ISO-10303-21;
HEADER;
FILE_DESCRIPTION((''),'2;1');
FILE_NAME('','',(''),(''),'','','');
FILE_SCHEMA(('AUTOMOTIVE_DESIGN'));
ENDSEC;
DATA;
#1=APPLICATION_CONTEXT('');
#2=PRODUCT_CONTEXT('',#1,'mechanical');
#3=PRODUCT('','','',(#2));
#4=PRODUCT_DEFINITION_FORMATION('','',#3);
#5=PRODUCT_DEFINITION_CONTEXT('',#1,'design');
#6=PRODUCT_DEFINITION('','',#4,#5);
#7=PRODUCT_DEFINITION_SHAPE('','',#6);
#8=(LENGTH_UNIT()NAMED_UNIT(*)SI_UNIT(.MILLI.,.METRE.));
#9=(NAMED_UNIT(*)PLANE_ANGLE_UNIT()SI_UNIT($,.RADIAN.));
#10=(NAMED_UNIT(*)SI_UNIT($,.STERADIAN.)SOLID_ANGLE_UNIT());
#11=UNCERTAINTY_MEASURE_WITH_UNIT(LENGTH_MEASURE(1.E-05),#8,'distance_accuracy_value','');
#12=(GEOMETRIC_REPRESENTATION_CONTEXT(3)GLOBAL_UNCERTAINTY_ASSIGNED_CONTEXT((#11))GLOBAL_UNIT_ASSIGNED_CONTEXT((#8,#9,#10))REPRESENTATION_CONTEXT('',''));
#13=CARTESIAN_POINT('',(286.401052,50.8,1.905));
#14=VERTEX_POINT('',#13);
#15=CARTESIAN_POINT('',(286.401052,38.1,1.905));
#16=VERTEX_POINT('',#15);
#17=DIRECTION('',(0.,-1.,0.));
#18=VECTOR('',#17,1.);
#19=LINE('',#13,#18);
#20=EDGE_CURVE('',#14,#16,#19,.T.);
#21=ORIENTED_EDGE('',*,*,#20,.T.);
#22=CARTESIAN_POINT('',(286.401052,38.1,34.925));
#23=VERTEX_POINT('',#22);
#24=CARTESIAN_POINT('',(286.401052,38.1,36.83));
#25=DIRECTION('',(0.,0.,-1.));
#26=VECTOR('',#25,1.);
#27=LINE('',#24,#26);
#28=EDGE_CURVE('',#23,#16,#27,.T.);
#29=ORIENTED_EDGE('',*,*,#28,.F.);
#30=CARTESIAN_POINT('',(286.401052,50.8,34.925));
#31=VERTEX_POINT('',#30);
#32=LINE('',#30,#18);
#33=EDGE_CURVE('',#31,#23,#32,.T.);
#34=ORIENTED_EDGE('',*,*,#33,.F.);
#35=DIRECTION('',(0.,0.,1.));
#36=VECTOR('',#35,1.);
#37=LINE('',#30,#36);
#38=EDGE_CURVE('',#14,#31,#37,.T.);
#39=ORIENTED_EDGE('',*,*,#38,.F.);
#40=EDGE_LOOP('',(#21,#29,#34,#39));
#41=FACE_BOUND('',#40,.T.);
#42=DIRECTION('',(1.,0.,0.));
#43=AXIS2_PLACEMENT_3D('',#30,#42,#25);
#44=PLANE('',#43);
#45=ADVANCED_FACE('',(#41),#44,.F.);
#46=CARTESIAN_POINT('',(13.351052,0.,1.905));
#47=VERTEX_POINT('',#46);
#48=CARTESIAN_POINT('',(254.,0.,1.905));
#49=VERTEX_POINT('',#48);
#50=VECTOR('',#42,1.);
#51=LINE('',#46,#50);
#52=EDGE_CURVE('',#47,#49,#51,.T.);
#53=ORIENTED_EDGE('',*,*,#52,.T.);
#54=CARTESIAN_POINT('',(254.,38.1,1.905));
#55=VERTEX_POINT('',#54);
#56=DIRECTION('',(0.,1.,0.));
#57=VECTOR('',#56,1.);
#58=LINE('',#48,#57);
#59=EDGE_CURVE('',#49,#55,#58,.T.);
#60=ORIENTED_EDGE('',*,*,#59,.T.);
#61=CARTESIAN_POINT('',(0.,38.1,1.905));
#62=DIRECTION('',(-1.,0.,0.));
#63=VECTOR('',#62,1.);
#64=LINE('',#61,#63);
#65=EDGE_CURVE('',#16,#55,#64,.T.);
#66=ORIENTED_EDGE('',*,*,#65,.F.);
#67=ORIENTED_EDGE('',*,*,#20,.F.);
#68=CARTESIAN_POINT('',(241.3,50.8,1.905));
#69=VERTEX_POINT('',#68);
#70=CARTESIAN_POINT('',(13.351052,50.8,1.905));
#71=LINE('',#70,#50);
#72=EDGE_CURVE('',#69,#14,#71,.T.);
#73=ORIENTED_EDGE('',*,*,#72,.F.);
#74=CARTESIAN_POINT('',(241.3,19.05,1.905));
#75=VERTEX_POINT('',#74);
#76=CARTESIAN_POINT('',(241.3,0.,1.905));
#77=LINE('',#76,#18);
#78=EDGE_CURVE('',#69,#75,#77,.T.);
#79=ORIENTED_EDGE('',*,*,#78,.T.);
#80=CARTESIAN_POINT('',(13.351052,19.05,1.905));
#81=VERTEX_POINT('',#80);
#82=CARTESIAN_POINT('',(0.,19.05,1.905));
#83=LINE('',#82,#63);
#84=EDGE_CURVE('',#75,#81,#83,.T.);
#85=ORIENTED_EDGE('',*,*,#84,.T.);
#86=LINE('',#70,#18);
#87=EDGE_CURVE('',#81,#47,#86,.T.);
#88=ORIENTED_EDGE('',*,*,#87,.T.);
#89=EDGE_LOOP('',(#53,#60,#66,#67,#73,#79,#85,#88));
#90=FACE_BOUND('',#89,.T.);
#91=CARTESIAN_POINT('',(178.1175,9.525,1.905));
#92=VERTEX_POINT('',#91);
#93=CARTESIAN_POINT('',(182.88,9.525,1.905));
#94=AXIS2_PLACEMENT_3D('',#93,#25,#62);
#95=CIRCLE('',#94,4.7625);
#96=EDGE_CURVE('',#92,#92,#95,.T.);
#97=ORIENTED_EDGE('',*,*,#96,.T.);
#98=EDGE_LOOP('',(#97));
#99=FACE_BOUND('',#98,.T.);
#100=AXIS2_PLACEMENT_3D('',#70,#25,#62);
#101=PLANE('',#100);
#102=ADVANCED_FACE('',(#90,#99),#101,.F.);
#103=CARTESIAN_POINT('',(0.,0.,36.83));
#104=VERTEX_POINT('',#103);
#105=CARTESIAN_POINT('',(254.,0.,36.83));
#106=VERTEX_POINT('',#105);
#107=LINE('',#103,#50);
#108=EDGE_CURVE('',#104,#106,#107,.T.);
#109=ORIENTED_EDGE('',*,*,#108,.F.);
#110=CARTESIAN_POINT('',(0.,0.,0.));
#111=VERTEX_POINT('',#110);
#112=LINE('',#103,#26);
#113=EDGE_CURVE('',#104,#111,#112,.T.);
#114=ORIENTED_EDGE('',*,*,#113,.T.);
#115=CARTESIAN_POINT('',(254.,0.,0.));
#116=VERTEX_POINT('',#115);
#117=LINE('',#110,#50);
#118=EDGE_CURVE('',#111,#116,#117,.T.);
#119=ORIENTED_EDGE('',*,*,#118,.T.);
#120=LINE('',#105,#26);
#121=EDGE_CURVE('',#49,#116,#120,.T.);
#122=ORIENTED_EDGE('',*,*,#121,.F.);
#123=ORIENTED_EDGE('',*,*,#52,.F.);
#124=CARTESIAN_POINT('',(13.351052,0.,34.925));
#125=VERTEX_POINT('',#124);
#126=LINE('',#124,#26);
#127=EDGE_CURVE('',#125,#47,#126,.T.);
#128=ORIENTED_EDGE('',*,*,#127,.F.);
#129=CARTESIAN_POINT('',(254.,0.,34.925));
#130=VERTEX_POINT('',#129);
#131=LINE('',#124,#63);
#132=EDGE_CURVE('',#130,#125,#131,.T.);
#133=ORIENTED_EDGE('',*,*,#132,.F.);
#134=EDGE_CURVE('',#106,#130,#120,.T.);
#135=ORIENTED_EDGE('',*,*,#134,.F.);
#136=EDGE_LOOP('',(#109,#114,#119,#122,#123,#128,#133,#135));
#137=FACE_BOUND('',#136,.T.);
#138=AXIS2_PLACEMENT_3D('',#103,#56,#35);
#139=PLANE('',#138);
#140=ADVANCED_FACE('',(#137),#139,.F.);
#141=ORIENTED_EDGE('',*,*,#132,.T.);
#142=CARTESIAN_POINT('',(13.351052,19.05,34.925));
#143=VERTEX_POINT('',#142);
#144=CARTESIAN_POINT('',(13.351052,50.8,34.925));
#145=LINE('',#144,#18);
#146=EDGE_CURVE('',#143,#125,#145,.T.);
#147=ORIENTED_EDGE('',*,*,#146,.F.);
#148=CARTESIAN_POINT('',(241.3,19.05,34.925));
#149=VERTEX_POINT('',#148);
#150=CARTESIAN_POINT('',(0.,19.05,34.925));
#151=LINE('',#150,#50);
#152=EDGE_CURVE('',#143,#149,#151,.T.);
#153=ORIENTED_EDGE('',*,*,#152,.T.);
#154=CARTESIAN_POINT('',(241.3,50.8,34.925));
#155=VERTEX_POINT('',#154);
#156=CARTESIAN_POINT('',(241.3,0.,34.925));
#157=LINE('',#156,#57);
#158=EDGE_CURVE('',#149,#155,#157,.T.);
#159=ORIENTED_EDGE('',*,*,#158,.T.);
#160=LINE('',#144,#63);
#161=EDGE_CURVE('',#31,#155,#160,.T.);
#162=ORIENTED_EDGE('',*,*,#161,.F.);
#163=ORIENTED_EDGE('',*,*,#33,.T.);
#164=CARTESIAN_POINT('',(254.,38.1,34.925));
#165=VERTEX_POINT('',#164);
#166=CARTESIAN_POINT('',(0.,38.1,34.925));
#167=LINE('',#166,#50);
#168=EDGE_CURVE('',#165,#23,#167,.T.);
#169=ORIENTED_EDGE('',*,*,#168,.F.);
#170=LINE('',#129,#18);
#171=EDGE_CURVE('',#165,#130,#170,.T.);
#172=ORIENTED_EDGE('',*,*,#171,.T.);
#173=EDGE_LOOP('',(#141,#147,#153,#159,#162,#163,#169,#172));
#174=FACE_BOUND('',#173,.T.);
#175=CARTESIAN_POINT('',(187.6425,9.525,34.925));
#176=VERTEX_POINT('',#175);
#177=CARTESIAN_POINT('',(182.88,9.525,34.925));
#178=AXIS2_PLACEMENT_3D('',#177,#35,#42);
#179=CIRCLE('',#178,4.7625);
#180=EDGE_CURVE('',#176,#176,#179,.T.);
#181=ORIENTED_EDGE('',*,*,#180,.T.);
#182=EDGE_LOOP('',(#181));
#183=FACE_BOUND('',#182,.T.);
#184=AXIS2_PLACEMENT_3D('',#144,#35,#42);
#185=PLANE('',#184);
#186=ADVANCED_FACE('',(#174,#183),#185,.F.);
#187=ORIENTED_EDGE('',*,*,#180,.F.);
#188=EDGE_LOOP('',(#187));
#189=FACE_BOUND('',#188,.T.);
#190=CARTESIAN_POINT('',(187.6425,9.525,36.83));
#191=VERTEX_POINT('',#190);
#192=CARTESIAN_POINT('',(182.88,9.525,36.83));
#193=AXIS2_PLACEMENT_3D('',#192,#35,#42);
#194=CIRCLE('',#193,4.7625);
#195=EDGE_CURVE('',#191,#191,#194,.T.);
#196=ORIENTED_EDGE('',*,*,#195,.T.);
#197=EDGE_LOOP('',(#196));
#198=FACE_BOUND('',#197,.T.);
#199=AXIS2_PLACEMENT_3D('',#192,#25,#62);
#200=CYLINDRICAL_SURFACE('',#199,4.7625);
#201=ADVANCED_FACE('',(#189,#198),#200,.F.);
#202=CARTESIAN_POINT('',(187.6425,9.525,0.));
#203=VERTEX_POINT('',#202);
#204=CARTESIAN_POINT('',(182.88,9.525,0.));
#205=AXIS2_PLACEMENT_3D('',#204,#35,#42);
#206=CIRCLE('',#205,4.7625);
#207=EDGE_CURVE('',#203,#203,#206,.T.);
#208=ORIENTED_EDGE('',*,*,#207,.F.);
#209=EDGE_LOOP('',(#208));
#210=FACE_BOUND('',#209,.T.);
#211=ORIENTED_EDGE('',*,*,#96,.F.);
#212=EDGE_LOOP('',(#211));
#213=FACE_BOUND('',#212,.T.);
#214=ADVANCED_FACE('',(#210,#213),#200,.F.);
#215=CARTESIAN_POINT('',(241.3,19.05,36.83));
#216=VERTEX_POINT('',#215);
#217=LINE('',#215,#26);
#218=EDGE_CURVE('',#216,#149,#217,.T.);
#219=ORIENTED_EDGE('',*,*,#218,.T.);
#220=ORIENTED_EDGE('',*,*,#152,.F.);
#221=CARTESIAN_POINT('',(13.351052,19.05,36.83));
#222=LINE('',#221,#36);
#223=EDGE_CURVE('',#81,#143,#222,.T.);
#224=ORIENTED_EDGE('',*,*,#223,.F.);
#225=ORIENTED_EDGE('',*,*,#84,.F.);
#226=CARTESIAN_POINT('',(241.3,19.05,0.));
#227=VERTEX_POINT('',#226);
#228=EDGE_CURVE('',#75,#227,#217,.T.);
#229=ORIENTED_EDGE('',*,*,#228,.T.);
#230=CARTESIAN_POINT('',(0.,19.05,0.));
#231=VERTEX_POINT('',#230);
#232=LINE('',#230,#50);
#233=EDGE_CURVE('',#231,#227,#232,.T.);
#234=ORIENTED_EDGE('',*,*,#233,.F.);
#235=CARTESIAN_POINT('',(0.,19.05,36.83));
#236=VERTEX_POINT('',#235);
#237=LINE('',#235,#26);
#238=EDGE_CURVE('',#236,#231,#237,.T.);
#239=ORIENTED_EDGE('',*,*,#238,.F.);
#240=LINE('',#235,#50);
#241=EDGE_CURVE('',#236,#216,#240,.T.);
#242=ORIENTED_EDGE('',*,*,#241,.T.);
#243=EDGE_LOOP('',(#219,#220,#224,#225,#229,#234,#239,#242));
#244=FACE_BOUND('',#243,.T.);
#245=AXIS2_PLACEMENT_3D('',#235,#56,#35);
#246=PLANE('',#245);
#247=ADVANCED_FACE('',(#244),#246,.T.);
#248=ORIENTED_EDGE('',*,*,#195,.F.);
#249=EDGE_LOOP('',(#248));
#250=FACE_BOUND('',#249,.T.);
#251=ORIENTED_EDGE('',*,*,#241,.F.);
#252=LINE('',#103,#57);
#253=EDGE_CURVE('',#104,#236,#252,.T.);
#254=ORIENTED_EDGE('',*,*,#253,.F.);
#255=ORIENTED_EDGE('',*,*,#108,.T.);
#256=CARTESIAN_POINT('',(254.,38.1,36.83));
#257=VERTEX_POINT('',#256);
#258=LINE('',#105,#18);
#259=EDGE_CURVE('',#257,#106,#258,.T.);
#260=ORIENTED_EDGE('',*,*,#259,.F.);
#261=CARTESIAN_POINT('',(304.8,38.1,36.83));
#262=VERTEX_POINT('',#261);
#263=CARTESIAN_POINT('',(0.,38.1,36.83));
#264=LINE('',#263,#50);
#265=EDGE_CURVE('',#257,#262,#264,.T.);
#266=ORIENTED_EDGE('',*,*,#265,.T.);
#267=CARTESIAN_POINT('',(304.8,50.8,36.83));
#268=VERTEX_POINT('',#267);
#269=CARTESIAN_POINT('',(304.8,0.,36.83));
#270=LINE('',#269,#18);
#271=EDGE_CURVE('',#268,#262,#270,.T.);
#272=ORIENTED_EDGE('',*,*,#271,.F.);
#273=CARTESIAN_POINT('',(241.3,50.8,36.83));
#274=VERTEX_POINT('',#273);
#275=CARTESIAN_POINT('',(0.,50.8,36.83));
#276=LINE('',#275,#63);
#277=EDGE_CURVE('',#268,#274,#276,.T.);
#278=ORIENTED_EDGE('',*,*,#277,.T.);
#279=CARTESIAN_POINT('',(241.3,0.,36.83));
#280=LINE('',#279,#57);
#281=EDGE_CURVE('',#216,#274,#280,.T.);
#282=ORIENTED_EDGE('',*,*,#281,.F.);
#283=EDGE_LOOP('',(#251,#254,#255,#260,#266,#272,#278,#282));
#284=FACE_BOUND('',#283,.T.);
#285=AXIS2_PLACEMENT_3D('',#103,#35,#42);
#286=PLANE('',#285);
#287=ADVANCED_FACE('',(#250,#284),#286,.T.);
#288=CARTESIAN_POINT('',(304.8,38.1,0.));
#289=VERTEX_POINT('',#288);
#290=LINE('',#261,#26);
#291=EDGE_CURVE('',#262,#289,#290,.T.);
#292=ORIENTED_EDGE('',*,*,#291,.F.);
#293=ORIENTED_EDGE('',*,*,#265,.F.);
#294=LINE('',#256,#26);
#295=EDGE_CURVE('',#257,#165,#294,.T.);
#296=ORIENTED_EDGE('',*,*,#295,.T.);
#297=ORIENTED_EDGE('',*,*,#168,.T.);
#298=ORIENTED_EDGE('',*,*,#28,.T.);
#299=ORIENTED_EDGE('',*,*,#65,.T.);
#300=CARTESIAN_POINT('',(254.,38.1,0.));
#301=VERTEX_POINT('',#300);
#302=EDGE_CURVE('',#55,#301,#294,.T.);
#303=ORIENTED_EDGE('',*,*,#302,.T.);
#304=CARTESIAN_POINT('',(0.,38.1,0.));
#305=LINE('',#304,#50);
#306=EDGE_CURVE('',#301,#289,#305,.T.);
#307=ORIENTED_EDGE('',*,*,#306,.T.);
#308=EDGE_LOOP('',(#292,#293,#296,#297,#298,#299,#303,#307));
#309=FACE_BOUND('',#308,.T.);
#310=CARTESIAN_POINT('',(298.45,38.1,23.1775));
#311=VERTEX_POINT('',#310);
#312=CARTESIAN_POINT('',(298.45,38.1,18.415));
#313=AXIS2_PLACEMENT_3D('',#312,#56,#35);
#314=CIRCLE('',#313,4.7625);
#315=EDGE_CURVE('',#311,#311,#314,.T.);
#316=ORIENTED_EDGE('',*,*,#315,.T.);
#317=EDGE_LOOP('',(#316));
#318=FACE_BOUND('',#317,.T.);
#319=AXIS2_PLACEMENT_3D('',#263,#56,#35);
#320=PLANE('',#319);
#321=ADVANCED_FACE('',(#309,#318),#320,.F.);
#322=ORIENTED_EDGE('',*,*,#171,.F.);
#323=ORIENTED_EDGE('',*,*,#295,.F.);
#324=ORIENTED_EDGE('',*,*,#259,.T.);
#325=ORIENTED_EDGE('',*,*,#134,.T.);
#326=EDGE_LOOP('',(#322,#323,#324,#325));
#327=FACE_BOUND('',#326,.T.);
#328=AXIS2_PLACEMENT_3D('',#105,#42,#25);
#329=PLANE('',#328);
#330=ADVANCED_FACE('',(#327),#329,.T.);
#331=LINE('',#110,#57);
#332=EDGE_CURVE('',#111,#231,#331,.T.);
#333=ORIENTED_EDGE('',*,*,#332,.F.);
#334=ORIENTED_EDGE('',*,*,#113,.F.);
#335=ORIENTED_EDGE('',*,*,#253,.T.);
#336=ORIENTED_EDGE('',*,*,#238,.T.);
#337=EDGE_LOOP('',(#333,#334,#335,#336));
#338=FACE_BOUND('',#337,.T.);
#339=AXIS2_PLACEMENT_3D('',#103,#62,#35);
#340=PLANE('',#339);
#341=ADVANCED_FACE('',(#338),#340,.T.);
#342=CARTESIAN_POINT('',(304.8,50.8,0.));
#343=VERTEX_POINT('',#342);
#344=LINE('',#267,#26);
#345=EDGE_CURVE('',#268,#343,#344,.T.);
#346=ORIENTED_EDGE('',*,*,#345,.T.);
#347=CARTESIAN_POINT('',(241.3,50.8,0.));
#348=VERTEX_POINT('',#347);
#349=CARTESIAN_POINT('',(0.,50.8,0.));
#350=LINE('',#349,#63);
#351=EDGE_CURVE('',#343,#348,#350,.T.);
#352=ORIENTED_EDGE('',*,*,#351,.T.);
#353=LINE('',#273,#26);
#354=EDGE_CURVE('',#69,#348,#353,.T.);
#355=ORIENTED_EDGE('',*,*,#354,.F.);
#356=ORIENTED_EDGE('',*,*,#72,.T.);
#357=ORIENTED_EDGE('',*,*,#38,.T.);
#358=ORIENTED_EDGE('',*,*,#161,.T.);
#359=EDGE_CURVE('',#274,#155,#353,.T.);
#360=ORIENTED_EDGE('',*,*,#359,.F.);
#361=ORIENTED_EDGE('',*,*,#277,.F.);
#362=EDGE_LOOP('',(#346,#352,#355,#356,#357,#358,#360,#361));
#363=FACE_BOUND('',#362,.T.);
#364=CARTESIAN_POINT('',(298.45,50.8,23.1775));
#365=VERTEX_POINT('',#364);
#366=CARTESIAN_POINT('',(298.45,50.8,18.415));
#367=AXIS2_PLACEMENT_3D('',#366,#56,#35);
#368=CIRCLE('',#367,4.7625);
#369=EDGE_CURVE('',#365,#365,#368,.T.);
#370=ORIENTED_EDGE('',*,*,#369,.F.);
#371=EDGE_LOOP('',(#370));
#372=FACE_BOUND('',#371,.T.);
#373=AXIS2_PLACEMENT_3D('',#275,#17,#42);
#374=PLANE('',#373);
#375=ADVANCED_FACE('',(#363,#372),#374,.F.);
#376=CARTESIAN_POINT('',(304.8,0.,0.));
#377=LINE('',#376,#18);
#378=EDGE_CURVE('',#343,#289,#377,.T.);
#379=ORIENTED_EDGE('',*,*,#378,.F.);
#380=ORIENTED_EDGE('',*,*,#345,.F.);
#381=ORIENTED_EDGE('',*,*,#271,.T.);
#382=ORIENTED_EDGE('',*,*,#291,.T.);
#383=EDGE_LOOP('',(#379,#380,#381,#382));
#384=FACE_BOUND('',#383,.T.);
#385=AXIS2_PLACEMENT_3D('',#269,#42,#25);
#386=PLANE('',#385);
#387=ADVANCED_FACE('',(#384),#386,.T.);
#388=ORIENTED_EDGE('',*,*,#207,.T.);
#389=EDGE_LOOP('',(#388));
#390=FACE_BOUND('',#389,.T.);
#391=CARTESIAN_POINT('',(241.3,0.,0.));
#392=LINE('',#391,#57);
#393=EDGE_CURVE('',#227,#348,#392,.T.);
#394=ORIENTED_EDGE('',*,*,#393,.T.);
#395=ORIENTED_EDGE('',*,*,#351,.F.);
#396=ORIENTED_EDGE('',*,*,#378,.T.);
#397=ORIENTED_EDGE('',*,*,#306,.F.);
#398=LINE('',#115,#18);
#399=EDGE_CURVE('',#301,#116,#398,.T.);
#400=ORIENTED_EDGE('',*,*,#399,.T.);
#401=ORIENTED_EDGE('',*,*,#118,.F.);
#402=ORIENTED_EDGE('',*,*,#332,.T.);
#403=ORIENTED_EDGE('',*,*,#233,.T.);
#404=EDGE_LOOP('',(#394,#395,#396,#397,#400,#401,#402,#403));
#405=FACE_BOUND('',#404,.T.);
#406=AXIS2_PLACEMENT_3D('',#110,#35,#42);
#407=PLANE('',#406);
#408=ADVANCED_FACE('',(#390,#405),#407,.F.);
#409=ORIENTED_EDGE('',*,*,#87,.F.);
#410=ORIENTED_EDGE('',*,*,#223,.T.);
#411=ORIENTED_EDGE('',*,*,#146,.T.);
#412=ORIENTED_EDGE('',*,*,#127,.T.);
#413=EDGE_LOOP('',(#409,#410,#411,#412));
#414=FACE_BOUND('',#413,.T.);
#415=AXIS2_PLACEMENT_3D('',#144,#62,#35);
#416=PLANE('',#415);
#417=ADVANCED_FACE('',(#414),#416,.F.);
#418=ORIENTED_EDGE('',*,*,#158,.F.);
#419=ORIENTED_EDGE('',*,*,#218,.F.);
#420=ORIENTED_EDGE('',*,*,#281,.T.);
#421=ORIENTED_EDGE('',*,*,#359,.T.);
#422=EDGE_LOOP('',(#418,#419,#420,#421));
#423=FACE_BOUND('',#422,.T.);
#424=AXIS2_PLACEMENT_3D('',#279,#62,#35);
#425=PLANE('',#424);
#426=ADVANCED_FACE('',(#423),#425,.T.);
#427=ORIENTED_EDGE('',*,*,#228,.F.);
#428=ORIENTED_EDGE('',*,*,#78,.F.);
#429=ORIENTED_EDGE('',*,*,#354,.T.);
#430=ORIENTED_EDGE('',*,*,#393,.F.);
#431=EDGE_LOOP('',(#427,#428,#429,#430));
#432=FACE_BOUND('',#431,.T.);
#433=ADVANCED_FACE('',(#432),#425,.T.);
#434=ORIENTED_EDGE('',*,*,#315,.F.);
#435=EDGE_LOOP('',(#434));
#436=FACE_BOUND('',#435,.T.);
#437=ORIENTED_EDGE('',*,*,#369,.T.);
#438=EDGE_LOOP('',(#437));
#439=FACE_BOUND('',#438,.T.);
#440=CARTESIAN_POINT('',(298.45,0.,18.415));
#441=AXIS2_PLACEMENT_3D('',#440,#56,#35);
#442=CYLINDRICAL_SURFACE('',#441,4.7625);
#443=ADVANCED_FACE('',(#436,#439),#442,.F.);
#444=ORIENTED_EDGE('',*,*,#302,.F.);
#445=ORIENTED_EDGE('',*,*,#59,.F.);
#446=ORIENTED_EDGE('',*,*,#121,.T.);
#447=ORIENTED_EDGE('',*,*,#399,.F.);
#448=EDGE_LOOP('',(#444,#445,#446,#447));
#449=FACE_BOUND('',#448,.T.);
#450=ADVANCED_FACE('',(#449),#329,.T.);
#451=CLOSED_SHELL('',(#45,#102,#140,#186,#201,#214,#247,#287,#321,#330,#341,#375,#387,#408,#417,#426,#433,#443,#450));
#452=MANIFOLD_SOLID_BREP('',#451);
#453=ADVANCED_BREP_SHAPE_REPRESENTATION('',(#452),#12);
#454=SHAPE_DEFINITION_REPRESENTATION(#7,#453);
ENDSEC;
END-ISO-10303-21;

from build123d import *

# Parameters (mm, degrees)
SKETCH1_R           = 4.7625
BOSS_EXTRUDE1_DEPTH = 36.83
SKETCH2_W           = 273.05
SKETCH2_H           = 33.02
CUT_EXTRUDE1_DEPTH  = 312.191466625
SKETCH4_R           = 4.7625
CUT_EXTRUDE3_DEPTH  = 312.191466625


with BuildPart() as part:
    # Sketch1 → Boss-Extrude1 (new body)
    with BuildSketch(Plane.XY):
        Polygon((304.8, 50.8), (304.8, 38.1), (254, 38.1), (254, 0), (0, 0), (0, 19.05), (241.3, 19.05), (241.3, 50.8), align=None)
        with Locations((182.88, 9.525)):
            Circle(SKETCH1_R, mode=Mode.SUBTRACT)
    extrude(amount=BOSS_EXTRUDE1_DEPTH)

    # Sketch2 → Cut-Extrude1 (cut, through all)
    with BuildSketch(Plane.XZ):
        with Locations((149.876052358, 18.415)):
            Rectangle(SKETCH2_W, SKETCH2_H)
    extrude(amount=-CUT_EXTRUDE1_DEPTH, mode=Mode.SUBTRACT)

    # Sketch4 → Cut-Extrude3 (cut, through all)
    with BuildSketch(Plane(origin=(0, 50.8, 0), x_dir=(1, 0, 0), z_dir=(0, 1, 0))):
        with Locations(Location((298.45, -18.415, 0), (0, 0, 270))):
            Circle(SKETCH4_R)
    extrude(amount=-CUT_EXTRUDE3_DEPTH, mode=Mode.SUBTRACT)


solid = part.part
